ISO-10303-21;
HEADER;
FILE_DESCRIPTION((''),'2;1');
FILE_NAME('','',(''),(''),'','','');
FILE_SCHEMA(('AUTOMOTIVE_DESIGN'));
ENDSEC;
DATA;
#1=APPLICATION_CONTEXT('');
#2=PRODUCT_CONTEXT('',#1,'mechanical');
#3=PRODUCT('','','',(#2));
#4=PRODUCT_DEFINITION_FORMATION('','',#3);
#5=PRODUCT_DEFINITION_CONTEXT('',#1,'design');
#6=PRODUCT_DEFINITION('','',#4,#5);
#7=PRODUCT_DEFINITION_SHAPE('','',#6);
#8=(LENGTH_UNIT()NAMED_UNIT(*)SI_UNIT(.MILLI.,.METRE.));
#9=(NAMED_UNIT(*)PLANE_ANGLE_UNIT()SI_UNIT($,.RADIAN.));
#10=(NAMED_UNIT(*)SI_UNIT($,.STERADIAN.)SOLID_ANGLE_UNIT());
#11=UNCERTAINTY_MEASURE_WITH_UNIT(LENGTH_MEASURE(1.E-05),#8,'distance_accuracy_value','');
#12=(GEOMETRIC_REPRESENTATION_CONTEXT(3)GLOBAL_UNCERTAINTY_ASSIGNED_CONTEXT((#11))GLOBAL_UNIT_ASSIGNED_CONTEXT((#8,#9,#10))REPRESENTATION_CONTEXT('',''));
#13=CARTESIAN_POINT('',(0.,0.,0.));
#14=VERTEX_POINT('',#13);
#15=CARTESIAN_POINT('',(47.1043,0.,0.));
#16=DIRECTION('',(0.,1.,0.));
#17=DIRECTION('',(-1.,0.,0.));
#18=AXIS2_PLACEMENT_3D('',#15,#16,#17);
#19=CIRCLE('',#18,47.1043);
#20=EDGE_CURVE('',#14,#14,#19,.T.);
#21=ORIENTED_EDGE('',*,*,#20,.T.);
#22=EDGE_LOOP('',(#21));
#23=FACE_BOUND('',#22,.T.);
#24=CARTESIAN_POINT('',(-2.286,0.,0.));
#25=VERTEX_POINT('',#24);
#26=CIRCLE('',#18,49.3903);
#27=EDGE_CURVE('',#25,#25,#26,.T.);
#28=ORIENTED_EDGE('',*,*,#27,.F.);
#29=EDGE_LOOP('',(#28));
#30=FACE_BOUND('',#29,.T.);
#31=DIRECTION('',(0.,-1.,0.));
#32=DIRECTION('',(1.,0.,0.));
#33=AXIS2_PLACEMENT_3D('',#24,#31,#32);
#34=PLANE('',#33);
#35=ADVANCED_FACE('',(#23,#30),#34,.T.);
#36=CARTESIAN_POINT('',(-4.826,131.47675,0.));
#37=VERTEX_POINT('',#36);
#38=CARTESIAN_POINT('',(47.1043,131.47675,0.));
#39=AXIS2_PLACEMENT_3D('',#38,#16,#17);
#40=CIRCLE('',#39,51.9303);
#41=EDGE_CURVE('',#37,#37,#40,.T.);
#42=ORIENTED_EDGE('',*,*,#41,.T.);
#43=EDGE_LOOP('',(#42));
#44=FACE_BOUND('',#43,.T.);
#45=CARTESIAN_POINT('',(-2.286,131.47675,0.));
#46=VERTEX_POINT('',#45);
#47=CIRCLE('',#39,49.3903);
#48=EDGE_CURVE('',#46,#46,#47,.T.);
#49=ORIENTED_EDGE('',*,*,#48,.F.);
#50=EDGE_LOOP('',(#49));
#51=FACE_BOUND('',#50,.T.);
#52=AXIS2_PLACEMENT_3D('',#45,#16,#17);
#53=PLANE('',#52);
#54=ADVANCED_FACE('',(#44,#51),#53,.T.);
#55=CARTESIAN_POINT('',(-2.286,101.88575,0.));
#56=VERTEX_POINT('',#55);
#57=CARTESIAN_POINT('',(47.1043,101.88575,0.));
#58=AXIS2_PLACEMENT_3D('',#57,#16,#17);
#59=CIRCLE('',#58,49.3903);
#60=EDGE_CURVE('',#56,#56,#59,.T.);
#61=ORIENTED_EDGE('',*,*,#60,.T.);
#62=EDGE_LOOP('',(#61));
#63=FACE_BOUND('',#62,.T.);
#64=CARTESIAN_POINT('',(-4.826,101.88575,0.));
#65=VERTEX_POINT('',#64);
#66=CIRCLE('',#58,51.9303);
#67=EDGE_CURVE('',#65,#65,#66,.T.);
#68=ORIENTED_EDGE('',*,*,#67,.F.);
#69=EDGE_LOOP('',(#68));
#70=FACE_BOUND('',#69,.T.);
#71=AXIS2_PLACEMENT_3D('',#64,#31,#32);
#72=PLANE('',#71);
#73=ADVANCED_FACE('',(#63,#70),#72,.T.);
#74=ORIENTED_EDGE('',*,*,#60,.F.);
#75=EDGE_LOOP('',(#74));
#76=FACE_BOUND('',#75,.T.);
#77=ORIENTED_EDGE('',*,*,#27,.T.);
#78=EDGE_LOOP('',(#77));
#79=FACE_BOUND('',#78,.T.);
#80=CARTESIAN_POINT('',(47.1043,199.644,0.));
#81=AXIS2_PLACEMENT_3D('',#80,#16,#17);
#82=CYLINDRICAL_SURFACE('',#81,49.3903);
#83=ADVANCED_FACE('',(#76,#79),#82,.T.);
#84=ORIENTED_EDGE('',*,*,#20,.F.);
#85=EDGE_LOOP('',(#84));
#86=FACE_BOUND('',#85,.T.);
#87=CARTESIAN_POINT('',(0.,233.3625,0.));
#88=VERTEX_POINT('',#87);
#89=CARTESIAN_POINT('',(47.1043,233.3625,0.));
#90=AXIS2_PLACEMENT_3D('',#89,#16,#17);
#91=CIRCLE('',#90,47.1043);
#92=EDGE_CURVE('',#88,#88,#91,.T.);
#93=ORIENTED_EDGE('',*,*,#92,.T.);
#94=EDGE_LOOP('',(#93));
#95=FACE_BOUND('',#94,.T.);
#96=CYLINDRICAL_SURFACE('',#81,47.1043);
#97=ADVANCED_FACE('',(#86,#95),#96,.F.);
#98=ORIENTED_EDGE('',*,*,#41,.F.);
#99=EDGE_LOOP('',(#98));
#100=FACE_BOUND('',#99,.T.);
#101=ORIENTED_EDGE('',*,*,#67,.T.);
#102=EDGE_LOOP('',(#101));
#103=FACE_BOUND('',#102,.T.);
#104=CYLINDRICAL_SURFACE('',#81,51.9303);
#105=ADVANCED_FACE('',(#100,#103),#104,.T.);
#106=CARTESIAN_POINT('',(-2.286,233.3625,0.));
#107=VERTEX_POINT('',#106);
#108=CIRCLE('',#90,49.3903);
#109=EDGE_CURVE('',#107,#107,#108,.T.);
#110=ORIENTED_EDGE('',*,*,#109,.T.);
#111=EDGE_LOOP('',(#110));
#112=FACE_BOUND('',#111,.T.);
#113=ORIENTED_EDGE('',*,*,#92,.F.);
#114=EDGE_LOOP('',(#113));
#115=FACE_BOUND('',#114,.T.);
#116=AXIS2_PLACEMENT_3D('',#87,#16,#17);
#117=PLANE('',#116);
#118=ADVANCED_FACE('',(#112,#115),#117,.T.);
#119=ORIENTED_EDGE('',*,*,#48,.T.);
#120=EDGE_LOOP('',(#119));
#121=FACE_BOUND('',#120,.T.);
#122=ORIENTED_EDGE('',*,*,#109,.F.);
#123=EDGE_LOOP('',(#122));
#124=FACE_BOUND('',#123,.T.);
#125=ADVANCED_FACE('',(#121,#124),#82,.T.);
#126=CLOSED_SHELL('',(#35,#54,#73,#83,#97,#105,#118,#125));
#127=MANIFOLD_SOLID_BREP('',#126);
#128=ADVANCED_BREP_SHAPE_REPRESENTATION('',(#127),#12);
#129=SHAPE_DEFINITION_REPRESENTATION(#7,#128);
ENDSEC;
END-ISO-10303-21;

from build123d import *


with BuildPart() as part:
    # Sketch1 → Revolve1 (revolve)
    with BuildSketch(Plane.XY):
        Polygon((0, 0), (0, 233.3625), (-2.286, 233.3625), (-2.286, 131.47675), (-4.826, 131.47675), (-4.826, 101.88575), (-2.286, 101.88575), (-2.286, 0), align=None)
    revolve(axis=Axis((47.1043, 199.644, 0), (0, -1, 0)))


solid = part.part
